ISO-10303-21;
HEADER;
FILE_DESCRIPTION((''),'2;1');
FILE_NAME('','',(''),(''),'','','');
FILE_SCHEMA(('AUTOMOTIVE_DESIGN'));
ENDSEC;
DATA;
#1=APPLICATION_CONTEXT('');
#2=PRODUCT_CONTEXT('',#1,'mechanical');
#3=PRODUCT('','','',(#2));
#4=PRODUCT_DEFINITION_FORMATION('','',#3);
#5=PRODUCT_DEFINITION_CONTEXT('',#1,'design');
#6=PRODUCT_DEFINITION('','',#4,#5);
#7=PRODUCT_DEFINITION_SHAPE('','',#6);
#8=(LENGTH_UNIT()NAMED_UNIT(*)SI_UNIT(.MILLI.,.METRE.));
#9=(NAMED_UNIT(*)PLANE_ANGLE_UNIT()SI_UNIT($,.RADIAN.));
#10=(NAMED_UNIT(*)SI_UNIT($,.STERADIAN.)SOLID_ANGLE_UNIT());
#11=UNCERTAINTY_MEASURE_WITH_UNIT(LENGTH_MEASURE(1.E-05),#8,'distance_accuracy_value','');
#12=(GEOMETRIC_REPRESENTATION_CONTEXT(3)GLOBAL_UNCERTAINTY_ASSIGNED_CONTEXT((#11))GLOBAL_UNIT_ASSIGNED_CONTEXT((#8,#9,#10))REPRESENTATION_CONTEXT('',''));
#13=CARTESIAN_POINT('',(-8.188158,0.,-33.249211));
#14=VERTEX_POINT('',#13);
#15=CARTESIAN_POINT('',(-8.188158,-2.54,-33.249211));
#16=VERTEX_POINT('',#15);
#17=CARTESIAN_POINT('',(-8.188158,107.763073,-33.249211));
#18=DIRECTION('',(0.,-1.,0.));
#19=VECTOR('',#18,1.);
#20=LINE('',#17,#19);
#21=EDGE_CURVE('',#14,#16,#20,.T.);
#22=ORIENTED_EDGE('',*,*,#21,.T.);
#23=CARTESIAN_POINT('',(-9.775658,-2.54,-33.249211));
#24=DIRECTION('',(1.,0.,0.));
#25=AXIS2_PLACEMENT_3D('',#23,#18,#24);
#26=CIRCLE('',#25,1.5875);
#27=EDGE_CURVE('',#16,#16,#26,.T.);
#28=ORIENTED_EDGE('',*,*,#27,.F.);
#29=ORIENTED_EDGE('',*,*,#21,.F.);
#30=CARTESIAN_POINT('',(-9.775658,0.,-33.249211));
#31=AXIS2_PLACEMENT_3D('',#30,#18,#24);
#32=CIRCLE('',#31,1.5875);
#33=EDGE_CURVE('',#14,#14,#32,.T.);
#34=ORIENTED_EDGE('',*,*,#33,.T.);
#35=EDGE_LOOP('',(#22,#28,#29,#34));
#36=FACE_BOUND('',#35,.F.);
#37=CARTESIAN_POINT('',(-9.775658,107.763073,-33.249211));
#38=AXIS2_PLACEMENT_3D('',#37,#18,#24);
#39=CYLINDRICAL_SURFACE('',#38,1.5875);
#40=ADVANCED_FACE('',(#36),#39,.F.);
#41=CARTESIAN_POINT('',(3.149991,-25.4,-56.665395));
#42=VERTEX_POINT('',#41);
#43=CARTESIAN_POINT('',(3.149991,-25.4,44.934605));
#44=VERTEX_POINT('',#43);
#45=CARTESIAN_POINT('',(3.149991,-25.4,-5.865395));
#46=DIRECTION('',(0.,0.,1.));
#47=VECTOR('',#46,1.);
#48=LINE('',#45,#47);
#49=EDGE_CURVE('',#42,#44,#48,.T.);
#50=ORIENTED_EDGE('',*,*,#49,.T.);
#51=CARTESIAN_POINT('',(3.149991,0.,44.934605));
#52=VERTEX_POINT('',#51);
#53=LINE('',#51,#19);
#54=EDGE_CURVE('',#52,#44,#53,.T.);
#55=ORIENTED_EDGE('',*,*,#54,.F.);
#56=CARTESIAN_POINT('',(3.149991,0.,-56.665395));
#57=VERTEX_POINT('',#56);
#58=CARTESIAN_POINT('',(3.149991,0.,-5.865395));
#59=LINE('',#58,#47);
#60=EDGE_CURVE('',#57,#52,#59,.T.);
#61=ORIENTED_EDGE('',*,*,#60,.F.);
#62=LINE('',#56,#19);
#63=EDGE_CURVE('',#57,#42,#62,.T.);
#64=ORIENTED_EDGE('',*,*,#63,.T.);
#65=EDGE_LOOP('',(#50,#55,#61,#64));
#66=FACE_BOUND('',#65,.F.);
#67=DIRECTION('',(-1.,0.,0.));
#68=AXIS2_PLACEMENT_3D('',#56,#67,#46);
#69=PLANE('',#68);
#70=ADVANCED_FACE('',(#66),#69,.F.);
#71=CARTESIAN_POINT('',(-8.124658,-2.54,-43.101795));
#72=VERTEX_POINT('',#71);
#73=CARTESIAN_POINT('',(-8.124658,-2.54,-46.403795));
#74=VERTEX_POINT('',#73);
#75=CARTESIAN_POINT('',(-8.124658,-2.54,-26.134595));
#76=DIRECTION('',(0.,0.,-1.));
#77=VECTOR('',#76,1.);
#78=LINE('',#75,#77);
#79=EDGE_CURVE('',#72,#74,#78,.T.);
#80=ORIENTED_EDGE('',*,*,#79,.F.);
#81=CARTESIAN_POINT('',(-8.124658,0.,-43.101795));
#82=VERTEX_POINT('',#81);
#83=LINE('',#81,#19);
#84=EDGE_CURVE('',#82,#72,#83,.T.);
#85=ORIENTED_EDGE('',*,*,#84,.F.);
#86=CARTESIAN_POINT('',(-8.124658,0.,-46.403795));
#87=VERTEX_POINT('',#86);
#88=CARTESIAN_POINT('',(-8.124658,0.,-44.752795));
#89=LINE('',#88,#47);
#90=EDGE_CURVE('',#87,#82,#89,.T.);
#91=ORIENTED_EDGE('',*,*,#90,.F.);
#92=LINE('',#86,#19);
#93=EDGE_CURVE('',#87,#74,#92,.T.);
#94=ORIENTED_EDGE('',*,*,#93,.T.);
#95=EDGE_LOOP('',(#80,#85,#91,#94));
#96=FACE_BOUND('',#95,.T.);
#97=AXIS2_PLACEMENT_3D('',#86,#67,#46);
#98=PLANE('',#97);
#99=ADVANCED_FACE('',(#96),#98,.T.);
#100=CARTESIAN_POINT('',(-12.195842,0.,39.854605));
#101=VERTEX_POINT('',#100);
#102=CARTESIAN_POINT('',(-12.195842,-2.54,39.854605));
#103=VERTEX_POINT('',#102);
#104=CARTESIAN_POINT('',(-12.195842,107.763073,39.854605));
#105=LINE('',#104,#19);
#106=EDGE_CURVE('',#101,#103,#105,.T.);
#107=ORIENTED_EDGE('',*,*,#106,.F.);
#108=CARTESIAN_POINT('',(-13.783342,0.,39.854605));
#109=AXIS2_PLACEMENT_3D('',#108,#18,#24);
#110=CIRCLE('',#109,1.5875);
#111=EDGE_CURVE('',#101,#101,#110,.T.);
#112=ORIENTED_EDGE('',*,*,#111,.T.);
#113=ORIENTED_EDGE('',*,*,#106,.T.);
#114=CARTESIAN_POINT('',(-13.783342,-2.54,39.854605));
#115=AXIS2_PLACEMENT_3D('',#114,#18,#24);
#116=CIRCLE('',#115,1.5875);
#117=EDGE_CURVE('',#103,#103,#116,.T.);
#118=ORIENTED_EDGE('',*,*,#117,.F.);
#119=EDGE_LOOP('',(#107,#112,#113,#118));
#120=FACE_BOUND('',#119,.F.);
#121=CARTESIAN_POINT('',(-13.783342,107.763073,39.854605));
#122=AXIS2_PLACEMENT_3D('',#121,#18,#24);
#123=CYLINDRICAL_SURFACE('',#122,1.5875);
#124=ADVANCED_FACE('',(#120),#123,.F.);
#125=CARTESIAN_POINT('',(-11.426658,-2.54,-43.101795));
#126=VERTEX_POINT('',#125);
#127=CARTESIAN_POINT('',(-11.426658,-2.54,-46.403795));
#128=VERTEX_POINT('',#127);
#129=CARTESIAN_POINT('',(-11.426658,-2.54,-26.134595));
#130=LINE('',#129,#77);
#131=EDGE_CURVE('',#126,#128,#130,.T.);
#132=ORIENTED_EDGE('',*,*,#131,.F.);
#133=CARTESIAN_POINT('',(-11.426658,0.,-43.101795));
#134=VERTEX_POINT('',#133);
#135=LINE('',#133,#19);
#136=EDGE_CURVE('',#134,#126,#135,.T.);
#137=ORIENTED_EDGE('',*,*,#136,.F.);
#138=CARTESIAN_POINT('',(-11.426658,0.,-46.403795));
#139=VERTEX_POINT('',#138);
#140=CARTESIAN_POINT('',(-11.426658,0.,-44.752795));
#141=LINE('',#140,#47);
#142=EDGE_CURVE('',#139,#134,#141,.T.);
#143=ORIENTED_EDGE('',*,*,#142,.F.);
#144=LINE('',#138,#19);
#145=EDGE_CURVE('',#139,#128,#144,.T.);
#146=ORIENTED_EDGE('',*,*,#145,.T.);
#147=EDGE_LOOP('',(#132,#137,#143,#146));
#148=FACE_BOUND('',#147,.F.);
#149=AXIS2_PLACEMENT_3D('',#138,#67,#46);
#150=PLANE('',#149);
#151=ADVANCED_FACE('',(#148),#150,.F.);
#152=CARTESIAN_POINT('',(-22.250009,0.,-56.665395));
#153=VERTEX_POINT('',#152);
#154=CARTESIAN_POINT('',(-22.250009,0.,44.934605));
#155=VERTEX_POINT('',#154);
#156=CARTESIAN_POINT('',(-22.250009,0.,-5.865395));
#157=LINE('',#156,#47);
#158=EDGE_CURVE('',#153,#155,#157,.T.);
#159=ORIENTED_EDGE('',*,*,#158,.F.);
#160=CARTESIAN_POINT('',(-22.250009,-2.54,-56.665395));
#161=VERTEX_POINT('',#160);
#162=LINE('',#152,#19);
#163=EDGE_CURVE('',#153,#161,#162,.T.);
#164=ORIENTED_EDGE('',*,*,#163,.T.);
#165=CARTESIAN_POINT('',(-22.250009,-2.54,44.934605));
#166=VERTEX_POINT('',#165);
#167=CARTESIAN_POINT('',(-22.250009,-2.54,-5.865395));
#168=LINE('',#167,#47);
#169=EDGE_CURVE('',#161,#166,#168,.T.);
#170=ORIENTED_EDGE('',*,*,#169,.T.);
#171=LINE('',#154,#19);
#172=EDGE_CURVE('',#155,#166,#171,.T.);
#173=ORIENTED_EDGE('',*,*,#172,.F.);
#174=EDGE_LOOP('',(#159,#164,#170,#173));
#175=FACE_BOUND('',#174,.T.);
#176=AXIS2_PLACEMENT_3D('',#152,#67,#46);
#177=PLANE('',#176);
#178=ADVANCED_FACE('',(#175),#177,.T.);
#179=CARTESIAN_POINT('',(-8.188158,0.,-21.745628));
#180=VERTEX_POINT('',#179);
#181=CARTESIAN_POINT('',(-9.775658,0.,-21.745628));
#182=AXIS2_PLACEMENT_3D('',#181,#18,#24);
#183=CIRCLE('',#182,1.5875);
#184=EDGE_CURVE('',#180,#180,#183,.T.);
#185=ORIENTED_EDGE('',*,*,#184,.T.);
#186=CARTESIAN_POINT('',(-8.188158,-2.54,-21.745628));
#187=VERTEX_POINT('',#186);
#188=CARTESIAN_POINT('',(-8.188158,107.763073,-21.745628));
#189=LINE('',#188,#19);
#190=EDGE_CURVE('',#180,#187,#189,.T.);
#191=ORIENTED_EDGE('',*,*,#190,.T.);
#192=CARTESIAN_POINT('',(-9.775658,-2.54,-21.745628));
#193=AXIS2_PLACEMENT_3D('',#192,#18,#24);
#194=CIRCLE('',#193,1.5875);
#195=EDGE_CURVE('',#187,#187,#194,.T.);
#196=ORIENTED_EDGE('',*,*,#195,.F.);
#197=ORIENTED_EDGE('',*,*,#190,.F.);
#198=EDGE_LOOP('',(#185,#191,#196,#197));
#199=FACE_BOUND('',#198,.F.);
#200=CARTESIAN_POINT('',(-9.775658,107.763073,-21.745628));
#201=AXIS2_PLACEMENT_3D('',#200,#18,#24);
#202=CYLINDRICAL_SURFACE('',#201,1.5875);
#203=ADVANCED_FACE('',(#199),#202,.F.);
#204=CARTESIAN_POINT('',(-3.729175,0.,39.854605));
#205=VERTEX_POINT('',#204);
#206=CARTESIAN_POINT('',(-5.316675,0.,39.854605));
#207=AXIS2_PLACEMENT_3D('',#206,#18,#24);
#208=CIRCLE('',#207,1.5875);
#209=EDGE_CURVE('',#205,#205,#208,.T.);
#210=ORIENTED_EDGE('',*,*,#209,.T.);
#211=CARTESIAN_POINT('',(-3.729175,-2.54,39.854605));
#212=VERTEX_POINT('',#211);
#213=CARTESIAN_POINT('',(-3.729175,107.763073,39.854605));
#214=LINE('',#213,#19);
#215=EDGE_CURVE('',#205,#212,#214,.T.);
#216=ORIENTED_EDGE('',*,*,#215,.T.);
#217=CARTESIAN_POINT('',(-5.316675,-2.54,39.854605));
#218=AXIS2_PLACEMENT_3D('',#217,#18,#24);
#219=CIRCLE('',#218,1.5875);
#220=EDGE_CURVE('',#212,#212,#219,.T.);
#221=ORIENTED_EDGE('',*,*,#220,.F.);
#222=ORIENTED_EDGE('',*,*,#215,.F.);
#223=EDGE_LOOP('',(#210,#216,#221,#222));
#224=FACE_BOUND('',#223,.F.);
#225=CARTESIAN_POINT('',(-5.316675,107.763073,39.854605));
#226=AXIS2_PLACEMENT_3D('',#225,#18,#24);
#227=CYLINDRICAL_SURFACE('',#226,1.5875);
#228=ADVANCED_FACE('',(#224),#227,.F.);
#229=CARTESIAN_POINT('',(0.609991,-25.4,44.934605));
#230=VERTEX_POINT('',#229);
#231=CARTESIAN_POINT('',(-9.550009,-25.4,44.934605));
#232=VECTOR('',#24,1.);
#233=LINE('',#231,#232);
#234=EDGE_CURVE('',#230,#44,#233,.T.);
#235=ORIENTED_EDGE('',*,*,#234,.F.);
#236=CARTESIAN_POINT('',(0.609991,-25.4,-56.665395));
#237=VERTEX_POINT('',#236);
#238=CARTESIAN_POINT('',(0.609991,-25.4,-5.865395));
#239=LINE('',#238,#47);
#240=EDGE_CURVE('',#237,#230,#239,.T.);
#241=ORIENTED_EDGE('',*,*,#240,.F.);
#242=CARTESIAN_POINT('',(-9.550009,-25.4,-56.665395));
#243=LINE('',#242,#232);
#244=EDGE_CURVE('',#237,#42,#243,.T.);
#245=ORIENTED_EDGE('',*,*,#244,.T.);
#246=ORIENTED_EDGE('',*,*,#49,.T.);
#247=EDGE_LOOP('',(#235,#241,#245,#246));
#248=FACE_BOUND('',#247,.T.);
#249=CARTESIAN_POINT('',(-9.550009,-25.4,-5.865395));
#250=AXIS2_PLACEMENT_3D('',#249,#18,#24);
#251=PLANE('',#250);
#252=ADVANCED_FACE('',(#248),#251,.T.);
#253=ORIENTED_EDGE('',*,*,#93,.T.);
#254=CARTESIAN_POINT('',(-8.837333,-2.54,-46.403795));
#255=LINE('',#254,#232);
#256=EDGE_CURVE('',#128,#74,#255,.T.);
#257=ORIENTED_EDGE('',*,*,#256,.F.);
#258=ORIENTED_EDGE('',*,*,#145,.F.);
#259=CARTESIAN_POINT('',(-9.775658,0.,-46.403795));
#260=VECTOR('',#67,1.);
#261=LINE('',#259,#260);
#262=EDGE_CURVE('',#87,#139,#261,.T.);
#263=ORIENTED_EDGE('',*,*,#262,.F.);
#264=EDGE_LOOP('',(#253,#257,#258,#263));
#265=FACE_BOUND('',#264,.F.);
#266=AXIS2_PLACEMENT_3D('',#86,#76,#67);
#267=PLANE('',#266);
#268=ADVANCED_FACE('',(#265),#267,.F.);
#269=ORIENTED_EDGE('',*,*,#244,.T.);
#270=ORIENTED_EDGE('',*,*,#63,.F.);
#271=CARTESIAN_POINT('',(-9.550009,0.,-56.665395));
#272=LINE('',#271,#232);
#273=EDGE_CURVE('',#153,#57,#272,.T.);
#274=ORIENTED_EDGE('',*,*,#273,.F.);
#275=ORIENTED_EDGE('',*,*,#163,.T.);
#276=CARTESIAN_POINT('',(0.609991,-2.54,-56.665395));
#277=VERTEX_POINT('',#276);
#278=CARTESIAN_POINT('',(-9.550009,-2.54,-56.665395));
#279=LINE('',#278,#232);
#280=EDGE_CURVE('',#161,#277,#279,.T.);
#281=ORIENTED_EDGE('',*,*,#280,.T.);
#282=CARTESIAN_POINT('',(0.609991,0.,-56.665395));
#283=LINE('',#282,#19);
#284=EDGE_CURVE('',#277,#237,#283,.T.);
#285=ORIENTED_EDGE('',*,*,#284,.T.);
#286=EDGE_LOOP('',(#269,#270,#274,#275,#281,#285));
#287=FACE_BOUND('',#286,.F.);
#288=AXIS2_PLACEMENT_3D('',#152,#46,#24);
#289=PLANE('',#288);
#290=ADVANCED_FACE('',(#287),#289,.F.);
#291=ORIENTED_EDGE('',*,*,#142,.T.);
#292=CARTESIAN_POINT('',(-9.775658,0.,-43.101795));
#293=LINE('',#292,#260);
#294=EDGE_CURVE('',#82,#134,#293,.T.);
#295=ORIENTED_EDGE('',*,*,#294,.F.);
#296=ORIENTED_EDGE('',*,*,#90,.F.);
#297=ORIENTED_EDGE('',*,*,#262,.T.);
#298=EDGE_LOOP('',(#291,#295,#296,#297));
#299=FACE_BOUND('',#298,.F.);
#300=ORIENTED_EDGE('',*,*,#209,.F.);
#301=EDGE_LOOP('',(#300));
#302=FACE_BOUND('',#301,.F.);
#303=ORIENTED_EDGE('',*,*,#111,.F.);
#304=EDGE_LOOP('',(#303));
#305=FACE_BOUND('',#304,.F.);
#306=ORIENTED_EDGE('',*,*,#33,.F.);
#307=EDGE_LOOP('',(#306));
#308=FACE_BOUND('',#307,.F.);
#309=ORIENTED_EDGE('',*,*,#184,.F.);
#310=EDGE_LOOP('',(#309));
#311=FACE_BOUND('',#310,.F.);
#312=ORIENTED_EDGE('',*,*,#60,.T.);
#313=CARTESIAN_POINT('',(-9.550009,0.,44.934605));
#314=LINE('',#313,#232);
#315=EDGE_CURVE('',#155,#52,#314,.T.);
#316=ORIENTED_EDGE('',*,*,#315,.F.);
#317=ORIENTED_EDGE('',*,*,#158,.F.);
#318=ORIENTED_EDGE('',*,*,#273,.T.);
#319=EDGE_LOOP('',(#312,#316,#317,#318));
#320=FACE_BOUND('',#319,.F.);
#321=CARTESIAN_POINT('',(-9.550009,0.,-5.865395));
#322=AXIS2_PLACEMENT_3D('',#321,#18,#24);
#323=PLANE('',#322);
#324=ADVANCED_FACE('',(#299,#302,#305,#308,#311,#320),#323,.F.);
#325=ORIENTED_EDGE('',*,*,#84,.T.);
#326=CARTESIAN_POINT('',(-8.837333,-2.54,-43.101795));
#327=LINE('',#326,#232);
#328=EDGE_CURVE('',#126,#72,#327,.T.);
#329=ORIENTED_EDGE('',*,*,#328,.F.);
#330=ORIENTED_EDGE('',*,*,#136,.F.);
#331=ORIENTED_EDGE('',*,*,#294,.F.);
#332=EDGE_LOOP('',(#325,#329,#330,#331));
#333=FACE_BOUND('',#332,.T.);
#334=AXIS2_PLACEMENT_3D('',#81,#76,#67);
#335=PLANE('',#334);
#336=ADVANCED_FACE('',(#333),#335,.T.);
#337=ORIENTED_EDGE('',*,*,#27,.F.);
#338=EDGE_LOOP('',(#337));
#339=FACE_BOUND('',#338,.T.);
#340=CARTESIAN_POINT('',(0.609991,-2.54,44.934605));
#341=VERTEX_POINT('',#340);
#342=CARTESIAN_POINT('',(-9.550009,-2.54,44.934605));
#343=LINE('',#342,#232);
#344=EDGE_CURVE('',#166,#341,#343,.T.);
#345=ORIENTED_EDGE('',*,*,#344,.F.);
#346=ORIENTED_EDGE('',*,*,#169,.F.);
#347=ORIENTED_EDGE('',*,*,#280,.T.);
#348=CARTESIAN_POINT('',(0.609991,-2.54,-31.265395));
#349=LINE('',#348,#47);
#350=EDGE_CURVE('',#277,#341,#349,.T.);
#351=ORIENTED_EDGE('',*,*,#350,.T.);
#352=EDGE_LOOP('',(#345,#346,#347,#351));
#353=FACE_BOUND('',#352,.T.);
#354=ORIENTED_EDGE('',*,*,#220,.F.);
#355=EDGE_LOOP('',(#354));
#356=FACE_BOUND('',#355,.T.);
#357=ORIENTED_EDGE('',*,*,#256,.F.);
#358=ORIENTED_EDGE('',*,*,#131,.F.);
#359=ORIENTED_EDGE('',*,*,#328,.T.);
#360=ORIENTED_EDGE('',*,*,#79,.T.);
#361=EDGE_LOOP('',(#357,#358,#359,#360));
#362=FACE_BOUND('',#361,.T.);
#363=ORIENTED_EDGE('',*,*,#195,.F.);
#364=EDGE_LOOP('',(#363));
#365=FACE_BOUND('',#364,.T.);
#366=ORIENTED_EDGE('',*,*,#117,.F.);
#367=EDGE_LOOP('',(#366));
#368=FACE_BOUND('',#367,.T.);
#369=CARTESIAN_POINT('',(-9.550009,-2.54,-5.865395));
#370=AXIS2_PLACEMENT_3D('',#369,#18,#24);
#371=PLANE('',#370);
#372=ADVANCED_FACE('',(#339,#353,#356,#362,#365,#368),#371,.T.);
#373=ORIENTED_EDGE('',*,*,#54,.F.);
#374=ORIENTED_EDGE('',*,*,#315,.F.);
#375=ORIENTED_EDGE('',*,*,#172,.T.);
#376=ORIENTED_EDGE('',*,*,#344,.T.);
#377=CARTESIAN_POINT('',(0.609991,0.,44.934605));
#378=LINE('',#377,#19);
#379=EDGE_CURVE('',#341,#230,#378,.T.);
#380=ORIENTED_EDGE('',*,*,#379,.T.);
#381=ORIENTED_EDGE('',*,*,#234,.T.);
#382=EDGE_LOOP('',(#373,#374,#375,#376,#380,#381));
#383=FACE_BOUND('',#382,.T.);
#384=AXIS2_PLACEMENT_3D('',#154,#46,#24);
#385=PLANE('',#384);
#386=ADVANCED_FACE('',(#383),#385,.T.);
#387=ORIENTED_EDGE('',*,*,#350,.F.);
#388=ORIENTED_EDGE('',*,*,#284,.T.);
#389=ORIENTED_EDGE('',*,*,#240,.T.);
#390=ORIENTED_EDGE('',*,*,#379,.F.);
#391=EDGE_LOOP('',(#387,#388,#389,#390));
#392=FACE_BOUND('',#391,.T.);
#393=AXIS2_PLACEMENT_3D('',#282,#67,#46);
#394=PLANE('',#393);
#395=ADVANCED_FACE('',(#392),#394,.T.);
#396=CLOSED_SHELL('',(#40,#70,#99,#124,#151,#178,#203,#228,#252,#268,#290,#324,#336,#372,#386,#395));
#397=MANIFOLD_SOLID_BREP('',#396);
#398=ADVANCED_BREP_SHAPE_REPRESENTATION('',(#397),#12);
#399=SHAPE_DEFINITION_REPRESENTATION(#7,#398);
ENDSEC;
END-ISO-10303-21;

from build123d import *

# Parameters (mm, degrees)
F0_W     = 25.4
F0_H     = 101.6
F1_DEPTH = 25.4
F2_T     = -2.54
F4_D     = 3.175
F5_D     = 3.175
F3_W     = 3.302
F3_H     = 3.302
F6_DEPTH = 10.16


with BuildPart() as f1:
    # F0 (on Front) → F1 (new body)
    with BuildSketch(Plane.XZ):
        with Locations((-9.550009, -5.865395)):
            Rectangle(F0_W, F0_H)
    extrude(amount=F1_DEPTH)

    # F2
    f2_openings = [f1.faces().sort_by_distance(p)[0] for p in [
        (-9.550009, -25.4, -5.865395),
        (-9.550009, -12.7, 44.934605),
        (-22.250009, -12.7, -5.865395),
        (-9.550009, -12.7, -56.665395),
    ]]
    offset(amount=F2_T, openings=f2_openings)

    # F4 (through all)
    with Locations(Plane(origin=(0, 0, 0), x_dir=(-1, 0, 0), z_dir=(0, 1, 0))):
        with Locations((9.775658, -21.745628), (9.775658, -33.249211)):
            Hole(F4_D / 2)

    # F5 (through all)
    with Locations(Plane(origin=(0, 0, 0), x_dir=(-1, 0, 0), z_dir=(0, 1, 0))):
        with Locations((5.316675, 39.854605), (13.783342, 39.854605)):
            Hole(F5_D / 2)

    # F3 (on face) → F6 (cut)
    with BuildSketch(Plane(origin=(0, 0, 0), x_dir=(-1, 0, 0), z_dir=(0, 1, 0))):
        with Locations((9.775658, -44.752795)):
            Rectangle(F3_W, F3_H)
    extrude(amount=-F6_DEPTH, mode=Mode.SUBTRACT)


solid = f1.part
